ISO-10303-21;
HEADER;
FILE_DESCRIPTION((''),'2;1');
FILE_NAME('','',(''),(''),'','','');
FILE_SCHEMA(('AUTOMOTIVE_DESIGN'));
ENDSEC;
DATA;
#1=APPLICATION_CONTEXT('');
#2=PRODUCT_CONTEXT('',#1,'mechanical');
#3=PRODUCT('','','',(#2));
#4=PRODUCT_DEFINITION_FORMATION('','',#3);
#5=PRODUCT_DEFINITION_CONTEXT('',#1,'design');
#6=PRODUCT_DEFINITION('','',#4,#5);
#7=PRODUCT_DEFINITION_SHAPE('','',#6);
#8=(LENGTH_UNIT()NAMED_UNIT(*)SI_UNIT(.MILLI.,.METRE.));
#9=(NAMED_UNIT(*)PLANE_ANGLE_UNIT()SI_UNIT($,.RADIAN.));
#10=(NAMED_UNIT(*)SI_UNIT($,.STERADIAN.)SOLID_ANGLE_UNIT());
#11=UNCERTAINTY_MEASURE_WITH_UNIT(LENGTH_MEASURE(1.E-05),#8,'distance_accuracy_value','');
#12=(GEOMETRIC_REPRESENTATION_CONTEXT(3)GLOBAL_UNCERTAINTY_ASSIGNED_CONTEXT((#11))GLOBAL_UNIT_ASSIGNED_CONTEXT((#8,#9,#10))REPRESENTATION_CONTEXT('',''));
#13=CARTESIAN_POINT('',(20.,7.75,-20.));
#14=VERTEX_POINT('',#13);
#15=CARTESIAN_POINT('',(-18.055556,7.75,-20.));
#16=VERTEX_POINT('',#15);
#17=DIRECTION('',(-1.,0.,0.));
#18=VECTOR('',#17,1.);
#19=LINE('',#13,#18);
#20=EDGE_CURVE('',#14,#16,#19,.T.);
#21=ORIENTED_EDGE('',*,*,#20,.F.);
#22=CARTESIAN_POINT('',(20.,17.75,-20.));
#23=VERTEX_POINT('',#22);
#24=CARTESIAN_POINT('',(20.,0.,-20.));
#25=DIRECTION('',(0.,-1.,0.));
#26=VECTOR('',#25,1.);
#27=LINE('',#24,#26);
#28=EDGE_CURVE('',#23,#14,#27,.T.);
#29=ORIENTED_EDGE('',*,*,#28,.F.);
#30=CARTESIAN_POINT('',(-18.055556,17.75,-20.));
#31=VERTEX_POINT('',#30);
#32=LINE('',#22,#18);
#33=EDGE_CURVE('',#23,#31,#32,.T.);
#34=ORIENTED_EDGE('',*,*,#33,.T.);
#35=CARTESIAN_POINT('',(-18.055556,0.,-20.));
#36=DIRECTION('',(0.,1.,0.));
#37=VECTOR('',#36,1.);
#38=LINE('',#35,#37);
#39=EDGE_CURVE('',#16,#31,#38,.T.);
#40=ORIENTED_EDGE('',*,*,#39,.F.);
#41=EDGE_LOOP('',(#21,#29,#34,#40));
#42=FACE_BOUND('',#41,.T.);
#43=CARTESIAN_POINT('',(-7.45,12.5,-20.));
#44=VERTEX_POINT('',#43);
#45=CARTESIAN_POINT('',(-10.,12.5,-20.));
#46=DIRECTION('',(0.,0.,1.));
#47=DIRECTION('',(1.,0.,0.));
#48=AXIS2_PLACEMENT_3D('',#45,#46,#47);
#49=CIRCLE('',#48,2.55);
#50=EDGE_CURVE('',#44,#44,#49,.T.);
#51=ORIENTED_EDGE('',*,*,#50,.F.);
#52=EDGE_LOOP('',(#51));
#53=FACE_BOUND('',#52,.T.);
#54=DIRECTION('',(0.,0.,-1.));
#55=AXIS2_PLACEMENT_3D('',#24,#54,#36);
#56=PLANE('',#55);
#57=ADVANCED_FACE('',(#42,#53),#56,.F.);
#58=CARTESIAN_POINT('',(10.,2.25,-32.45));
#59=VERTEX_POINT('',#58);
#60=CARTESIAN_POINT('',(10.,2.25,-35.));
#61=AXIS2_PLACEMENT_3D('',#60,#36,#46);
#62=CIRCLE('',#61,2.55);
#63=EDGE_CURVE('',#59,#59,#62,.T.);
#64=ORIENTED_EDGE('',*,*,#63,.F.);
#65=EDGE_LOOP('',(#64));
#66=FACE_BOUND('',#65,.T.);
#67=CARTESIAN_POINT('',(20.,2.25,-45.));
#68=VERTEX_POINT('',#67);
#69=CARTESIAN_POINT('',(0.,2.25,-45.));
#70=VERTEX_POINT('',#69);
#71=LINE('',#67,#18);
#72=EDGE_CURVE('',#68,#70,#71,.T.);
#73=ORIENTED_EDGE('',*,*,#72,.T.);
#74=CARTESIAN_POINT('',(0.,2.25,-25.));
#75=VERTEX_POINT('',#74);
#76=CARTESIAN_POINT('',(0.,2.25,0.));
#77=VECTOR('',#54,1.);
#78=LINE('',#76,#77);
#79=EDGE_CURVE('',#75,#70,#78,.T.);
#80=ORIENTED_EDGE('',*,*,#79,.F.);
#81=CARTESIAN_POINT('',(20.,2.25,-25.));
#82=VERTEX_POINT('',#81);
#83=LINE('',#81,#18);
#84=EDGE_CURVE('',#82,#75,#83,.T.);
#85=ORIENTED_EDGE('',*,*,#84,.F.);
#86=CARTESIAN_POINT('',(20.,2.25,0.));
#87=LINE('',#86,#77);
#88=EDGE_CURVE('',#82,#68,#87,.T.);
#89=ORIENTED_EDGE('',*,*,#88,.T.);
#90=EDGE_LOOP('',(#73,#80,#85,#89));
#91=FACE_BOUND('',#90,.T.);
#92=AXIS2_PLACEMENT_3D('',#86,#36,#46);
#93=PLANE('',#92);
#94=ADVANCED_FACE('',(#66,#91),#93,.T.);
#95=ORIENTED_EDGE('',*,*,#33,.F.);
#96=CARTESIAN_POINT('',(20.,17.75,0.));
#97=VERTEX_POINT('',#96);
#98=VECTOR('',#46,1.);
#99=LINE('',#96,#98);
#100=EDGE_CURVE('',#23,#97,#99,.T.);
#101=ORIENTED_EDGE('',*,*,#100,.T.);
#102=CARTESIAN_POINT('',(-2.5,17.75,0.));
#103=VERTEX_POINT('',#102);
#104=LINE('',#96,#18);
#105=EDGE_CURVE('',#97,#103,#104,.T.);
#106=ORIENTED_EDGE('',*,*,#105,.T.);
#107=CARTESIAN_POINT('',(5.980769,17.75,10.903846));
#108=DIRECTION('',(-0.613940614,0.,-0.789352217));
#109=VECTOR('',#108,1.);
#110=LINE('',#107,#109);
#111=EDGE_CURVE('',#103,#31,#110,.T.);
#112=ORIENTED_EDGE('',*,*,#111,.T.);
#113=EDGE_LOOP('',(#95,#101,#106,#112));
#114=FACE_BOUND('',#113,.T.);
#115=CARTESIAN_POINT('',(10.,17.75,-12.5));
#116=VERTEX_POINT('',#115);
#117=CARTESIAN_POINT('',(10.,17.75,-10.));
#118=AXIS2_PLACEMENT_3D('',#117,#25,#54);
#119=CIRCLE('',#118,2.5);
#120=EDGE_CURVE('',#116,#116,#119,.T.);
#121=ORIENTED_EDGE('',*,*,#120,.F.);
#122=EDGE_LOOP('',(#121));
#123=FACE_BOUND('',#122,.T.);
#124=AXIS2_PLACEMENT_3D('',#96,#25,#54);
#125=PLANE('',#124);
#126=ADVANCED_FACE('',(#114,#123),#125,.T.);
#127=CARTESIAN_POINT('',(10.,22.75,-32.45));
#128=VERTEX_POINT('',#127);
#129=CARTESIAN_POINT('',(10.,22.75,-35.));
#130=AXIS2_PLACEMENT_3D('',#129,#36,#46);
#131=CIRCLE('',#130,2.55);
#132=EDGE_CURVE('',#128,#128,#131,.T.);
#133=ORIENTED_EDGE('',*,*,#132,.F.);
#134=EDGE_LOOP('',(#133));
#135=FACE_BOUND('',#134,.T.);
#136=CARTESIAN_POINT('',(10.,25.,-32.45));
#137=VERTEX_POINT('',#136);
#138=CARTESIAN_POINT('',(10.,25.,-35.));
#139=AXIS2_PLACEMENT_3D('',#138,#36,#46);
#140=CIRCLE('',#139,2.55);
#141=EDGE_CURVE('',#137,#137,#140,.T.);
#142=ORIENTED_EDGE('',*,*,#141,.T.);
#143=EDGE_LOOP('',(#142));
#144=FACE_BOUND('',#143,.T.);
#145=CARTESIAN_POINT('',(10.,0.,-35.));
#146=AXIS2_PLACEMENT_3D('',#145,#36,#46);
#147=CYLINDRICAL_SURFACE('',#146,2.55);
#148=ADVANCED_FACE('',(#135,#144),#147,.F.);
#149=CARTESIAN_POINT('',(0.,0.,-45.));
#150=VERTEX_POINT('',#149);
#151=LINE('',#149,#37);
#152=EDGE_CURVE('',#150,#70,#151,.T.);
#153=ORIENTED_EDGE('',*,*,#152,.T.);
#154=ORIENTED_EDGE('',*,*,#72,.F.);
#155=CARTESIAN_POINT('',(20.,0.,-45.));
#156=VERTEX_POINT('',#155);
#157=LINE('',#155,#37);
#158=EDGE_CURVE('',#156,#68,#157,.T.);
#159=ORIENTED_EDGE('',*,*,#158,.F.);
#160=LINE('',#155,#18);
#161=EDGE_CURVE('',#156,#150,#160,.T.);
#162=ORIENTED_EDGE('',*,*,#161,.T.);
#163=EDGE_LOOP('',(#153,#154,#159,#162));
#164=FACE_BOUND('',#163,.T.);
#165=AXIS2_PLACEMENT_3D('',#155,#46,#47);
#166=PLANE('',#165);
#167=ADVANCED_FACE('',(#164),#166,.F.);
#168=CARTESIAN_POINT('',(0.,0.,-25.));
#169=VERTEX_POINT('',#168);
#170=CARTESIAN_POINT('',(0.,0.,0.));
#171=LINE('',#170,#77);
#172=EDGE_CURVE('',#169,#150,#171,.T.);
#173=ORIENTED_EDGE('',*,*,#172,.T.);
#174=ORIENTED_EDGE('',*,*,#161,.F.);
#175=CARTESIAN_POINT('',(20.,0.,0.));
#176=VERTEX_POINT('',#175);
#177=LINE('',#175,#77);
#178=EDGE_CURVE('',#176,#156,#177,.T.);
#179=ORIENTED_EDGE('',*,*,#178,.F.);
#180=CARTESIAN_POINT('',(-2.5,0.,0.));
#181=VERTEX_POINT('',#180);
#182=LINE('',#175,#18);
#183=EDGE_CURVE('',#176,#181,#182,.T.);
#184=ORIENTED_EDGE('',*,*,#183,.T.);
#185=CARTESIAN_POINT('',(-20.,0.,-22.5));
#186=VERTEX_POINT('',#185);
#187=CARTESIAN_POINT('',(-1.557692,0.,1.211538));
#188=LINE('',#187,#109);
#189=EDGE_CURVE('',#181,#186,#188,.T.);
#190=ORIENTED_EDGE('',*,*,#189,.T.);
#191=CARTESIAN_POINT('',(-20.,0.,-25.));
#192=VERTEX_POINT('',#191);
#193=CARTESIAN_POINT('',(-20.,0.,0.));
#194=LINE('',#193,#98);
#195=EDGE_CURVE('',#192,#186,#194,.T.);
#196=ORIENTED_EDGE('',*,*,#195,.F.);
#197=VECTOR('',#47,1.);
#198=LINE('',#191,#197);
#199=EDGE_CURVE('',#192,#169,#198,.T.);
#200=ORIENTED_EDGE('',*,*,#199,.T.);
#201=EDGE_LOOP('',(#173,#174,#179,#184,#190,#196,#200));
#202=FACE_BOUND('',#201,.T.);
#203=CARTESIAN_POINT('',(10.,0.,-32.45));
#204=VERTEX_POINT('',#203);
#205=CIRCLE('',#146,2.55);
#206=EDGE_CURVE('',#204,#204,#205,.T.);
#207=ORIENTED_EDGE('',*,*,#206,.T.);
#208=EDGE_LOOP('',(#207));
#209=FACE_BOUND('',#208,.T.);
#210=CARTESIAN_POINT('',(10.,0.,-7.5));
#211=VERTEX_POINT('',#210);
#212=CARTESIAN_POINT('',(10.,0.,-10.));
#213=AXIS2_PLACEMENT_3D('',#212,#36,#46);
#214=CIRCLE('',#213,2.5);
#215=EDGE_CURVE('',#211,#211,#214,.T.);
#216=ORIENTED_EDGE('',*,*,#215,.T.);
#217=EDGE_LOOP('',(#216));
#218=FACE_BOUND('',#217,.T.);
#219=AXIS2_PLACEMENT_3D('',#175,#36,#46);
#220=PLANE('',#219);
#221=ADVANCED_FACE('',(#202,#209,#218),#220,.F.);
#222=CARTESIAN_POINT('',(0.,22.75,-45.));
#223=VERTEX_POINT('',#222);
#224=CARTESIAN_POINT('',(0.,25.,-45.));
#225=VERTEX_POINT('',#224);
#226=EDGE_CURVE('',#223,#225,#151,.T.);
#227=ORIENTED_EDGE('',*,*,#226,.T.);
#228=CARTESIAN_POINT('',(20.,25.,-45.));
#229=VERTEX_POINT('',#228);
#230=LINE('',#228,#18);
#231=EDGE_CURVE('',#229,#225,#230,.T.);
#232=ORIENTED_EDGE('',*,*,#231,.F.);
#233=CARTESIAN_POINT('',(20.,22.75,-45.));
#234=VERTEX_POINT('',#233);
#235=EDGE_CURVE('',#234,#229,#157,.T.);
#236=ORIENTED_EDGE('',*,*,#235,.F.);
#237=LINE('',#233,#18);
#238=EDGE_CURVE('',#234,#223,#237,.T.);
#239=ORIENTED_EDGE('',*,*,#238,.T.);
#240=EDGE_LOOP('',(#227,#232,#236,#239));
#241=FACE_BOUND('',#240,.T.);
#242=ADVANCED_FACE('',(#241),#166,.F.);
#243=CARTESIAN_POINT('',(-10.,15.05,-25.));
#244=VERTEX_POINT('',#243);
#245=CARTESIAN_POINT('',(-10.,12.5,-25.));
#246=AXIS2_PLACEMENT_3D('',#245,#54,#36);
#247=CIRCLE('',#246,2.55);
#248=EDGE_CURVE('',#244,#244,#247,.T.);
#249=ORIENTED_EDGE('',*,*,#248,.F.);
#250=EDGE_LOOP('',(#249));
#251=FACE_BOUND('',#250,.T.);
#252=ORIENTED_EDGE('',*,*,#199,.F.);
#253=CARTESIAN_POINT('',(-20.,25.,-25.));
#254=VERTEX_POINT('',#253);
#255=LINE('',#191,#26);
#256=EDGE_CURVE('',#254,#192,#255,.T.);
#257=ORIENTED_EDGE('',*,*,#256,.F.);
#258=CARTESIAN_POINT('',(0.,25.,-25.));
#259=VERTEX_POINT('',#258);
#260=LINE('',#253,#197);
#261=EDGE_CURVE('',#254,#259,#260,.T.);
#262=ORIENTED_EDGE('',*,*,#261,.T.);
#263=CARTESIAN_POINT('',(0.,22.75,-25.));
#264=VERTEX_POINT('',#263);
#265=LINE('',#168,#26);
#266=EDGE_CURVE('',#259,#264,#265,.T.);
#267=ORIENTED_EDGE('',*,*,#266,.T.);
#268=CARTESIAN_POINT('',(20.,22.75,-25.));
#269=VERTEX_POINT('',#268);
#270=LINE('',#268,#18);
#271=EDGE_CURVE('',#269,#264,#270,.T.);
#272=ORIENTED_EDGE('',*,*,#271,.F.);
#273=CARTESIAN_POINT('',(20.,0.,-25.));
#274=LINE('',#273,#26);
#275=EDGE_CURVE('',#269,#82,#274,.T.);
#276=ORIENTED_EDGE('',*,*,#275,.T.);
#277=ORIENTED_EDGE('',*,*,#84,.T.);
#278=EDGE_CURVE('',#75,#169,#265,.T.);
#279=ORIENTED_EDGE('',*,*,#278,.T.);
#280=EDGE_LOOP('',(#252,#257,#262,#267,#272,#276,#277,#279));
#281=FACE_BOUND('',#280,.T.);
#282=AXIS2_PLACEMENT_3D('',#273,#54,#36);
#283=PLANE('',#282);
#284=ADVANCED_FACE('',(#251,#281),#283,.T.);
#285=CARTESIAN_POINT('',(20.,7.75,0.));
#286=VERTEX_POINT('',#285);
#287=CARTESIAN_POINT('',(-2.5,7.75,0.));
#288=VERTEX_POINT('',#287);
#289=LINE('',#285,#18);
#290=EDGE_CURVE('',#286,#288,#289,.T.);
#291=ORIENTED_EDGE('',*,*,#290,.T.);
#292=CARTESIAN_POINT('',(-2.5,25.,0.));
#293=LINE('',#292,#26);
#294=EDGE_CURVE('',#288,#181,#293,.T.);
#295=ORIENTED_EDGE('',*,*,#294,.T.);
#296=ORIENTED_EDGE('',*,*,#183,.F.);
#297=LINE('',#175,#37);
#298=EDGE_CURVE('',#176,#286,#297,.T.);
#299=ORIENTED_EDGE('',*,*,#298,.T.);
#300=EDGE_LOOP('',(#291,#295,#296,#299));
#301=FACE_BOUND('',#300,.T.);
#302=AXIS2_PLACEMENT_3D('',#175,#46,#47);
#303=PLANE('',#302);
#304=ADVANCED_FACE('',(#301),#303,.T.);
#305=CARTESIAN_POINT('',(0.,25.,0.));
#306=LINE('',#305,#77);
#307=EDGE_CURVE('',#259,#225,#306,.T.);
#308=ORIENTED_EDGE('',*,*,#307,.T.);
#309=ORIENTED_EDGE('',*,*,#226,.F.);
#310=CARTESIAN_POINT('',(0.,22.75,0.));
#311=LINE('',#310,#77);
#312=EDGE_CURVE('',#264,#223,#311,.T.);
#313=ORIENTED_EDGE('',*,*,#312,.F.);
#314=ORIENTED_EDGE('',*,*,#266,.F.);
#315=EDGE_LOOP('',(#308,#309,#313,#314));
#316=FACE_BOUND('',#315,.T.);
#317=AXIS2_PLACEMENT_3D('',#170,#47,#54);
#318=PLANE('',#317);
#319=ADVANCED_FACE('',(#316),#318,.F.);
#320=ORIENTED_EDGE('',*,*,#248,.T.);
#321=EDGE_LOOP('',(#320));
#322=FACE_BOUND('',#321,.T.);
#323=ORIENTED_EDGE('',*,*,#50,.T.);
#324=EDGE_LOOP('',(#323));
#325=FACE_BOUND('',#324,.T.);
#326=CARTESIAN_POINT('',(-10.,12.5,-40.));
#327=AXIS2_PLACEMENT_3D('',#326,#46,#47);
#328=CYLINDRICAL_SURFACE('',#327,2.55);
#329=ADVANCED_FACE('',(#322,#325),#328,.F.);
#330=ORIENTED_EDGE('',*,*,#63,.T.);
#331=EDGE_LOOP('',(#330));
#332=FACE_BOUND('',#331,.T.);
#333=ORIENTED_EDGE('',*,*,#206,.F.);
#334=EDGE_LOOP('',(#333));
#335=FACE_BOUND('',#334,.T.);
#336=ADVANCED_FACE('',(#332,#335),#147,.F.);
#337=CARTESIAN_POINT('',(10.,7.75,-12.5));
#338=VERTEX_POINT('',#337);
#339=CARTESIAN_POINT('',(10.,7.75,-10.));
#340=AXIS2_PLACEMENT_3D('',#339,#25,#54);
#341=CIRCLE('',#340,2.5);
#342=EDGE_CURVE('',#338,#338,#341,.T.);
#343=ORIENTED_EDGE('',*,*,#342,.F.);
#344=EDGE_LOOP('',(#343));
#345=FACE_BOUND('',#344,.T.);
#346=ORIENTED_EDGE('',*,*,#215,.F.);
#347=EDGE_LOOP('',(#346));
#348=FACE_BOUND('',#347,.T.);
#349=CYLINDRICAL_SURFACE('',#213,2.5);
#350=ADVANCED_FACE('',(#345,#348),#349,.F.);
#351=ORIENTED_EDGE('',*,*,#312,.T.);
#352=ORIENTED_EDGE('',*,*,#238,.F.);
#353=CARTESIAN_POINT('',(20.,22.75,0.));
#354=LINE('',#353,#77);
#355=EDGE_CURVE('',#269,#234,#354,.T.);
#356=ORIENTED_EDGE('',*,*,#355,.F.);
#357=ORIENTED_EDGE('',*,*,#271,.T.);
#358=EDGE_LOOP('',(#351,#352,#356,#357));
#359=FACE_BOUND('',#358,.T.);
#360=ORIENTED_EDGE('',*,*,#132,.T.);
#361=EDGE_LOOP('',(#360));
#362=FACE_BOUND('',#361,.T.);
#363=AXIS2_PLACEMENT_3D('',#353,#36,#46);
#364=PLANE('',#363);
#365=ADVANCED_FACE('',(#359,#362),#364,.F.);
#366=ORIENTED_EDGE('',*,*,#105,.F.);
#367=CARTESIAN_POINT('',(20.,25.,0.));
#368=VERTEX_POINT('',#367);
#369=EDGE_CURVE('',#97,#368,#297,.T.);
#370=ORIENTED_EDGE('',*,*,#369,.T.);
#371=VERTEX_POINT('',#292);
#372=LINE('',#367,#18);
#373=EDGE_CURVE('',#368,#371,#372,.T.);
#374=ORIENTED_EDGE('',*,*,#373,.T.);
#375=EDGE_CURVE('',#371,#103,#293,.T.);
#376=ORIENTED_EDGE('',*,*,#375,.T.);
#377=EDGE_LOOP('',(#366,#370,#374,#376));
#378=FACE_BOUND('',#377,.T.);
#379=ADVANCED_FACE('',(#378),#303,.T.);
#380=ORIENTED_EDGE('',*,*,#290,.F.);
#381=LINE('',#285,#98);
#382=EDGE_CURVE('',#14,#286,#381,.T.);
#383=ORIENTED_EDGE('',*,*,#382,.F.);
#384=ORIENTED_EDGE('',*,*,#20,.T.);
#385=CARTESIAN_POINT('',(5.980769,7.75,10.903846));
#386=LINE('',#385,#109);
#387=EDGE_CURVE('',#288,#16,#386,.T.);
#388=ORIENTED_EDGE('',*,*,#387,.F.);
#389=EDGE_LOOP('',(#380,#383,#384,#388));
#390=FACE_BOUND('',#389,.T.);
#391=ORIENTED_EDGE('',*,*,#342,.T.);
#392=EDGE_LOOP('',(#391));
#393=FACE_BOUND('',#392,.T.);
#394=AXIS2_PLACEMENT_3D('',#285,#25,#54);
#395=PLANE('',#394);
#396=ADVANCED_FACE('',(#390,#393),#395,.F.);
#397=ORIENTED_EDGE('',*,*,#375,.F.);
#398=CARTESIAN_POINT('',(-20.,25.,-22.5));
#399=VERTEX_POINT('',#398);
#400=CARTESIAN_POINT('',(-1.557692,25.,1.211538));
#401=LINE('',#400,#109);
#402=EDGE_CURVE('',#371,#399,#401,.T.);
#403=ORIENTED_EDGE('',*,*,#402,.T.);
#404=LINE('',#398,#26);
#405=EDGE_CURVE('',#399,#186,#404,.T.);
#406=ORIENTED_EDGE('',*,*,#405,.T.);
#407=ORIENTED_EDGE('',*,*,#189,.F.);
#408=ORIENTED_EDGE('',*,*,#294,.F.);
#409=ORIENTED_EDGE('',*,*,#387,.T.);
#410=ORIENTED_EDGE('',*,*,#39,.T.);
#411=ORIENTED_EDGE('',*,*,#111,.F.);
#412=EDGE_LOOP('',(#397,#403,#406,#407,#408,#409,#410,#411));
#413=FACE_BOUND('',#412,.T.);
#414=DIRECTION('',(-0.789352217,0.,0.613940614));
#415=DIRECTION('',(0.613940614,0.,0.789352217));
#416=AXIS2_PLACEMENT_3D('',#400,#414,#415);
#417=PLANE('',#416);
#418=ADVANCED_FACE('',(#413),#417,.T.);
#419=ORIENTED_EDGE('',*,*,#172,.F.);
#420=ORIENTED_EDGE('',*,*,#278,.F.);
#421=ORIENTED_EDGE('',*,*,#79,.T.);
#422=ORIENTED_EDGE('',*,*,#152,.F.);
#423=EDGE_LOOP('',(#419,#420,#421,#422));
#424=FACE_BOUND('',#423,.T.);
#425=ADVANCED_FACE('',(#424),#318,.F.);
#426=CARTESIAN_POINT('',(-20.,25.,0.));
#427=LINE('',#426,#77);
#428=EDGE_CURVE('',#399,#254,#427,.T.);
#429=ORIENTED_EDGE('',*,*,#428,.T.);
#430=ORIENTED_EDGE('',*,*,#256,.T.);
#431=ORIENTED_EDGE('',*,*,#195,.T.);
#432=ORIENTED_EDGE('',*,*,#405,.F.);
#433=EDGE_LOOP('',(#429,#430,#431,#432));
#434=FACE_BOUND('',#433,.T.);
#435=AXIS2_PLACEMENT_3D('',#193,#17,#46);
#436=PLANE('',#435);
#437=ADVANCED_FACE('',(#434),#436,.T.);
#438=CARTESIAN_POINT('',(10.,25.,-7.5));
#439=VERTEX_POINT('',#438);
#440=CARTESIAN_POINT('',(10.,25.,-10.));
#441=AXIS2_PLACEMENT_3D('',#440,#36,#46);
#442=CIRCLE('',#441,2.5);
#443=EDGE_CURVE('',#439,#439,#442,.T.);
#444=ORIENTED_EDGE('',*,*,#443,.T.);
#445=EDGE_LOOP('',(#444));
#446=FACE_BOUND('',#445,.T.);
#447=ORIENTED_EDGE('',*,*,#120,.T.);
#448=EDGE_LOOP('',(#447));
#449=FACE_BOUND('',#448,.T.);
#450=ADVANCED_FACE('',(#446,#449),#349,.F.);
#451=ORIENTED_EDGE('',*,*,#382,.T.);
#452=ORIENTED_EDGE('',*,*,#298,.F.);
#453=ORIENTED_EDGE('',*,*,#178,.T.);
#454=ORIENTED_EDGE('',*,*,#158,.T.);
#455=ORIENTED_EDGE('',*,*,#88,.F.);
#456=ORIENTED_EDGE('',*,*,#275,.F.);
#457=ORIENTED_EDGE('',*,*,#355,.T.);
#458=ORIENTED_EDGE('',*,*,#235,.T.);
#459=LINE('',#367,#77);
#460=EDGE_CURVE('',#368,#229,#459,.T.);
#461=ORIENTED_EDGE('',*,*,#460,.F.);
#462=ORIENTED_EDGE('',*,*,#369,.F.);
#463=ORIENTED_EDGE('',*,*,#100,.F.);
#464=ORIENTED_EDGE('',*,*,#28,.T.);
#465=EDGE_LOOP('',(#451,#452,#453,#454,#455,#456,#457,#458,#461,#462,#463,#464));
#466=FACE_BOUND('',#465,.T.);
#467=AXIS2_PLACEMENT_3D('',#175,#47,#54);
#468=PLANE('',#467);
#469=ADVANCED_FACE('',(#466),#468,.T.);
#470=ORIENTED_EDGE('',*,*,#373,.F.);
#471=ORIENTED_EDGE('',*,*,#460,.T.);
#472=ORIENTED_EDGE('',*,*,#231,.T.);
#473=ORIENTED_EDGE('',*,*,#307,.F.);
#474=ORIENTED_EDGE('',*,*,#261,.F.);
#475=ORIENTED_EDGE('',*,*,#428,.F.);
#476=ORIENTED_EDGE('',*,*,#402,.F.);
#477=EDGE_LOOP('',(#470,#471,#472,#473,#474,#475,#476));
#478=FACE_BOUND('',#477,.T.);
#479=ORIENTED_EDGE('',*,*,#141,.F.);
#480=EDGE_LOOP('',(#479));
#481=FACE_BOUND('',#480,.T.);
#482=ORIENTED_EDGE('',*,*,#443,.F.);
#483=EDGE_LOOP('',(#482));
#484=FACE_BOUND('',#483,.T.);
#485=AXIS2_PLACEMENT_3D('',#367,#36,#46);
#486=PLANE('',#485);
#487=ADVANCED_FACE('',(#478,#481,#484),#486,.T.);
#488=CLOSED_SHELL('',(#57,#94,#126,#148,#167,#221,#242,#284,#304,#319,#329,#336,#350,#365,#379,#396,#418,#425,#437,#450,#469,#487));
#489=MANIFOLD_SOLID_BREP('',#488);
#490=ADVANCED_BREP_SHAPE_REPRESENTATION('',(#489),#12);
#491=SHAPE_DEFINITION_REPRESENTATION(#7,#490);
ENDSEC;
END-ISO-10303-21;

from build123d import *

# Parameters (mm, degrees)
SKETCH2_W           = 20
SKETCH2_H           = 5
SKETCH2_H_2         = 5.5
BOSS_EXTRUDE1_DEPTH = 20
SKETCH3_R           = 2.5
SKETCH3_R_2         = 2.55
CUT_EXTRUDE1_DEPTH  = 56.226805086
BOSS_EXTRUDE2_DEPTH = 20
CUT_EXTRUDE2_DEPTH  = 56.226805086
SKETCH7_R           = 2.55
CUT_EXTRUDE3_DEPTH  = 20


with BuildPart() as part:
    # Sketch2 → Boss-Extrude1 (new body)
    with BuildSketch(Plane(origin=(0, 0, 0), x_dir=(0, 0, -1), z_dir=(1, 0, 0))):
        Polygon((20, 7.75), (20, 2.25), (25, 2.25), (25, 22.75), (20, 22.75), (20, 17.75), align=None)
        Polygon((25, 22.75), (45, 22.75), (45, 25), (0, 25), (0, 22.75), (20, 22.75), align=None)
        Polygon((0, 2.25), (0, 0), (45, 0), (45, 2.25), (25, 2.25), (20, 2.25), align=None)
        with Locations((10, 20.25)):
            Rectangle(SKETCH2_W, SKETCH2_H)
        with Locations((10, 5)):
            Rectangle(SKETCH2_W, SKETCH2_H_2)
    extrude(amount=BOSS_EXTRUDE1_DEPTH)

    # Sketch3 → Cut-Extrude1 (cut, through all)
    with BuildSketch(Plane(origin=(0, 25, 0), x_dir=(1, 0, 0), z_dir=(0, 1, 0))):
        with Locations(Location((10, 10, 0), (0, 0, 270))):
            Circle(SKETCH3_R)
        with Locations(Location((10, 35, 0), (0, 0, 270))):
            Circle(SKETCH3_R_2)
    extrude(amount=-CUT_EXTRUDE1_DEPTH, mode=Mode.SUBTRACT)

    # Sketch5 → Boss-Extrude2 (add)
    with BuildSketch(Plane.ZY):
        Polygon((-25, 25), (-25, 22.75), (-25, 2.25), (-25, 0), (0, 0), (0, 7.75), (-20, 7.75), (-20, 17.75), (0, 17.75), (0, 25), align=None)
    extrude(amount=BOSS_EXTRUDE2_DEPTH)

    # Sketch6 → Cut-Extrude2 (cut, through all)
    with BuildSketch(Plane.XZ):
        Polygon((-20, -22.5), (-2.5, 0), (-20, 0), align=None)
    extrude(amount=-CUT_EXTRUDE2_DEPTH, mode=Mode.SUBTRACT)

    # Sketch7 → Cut-Extrude3 (cut)
    with BuildSketch(Plane.XY.offset(-20)):
        with Locations((-10, 12.5)):
            Circle(SKETCH7_R)
    extrude(amount=-CUT_EXTRUDE3_DEPTH, mode=Mode.SUBTRACT)


solid = part.part
